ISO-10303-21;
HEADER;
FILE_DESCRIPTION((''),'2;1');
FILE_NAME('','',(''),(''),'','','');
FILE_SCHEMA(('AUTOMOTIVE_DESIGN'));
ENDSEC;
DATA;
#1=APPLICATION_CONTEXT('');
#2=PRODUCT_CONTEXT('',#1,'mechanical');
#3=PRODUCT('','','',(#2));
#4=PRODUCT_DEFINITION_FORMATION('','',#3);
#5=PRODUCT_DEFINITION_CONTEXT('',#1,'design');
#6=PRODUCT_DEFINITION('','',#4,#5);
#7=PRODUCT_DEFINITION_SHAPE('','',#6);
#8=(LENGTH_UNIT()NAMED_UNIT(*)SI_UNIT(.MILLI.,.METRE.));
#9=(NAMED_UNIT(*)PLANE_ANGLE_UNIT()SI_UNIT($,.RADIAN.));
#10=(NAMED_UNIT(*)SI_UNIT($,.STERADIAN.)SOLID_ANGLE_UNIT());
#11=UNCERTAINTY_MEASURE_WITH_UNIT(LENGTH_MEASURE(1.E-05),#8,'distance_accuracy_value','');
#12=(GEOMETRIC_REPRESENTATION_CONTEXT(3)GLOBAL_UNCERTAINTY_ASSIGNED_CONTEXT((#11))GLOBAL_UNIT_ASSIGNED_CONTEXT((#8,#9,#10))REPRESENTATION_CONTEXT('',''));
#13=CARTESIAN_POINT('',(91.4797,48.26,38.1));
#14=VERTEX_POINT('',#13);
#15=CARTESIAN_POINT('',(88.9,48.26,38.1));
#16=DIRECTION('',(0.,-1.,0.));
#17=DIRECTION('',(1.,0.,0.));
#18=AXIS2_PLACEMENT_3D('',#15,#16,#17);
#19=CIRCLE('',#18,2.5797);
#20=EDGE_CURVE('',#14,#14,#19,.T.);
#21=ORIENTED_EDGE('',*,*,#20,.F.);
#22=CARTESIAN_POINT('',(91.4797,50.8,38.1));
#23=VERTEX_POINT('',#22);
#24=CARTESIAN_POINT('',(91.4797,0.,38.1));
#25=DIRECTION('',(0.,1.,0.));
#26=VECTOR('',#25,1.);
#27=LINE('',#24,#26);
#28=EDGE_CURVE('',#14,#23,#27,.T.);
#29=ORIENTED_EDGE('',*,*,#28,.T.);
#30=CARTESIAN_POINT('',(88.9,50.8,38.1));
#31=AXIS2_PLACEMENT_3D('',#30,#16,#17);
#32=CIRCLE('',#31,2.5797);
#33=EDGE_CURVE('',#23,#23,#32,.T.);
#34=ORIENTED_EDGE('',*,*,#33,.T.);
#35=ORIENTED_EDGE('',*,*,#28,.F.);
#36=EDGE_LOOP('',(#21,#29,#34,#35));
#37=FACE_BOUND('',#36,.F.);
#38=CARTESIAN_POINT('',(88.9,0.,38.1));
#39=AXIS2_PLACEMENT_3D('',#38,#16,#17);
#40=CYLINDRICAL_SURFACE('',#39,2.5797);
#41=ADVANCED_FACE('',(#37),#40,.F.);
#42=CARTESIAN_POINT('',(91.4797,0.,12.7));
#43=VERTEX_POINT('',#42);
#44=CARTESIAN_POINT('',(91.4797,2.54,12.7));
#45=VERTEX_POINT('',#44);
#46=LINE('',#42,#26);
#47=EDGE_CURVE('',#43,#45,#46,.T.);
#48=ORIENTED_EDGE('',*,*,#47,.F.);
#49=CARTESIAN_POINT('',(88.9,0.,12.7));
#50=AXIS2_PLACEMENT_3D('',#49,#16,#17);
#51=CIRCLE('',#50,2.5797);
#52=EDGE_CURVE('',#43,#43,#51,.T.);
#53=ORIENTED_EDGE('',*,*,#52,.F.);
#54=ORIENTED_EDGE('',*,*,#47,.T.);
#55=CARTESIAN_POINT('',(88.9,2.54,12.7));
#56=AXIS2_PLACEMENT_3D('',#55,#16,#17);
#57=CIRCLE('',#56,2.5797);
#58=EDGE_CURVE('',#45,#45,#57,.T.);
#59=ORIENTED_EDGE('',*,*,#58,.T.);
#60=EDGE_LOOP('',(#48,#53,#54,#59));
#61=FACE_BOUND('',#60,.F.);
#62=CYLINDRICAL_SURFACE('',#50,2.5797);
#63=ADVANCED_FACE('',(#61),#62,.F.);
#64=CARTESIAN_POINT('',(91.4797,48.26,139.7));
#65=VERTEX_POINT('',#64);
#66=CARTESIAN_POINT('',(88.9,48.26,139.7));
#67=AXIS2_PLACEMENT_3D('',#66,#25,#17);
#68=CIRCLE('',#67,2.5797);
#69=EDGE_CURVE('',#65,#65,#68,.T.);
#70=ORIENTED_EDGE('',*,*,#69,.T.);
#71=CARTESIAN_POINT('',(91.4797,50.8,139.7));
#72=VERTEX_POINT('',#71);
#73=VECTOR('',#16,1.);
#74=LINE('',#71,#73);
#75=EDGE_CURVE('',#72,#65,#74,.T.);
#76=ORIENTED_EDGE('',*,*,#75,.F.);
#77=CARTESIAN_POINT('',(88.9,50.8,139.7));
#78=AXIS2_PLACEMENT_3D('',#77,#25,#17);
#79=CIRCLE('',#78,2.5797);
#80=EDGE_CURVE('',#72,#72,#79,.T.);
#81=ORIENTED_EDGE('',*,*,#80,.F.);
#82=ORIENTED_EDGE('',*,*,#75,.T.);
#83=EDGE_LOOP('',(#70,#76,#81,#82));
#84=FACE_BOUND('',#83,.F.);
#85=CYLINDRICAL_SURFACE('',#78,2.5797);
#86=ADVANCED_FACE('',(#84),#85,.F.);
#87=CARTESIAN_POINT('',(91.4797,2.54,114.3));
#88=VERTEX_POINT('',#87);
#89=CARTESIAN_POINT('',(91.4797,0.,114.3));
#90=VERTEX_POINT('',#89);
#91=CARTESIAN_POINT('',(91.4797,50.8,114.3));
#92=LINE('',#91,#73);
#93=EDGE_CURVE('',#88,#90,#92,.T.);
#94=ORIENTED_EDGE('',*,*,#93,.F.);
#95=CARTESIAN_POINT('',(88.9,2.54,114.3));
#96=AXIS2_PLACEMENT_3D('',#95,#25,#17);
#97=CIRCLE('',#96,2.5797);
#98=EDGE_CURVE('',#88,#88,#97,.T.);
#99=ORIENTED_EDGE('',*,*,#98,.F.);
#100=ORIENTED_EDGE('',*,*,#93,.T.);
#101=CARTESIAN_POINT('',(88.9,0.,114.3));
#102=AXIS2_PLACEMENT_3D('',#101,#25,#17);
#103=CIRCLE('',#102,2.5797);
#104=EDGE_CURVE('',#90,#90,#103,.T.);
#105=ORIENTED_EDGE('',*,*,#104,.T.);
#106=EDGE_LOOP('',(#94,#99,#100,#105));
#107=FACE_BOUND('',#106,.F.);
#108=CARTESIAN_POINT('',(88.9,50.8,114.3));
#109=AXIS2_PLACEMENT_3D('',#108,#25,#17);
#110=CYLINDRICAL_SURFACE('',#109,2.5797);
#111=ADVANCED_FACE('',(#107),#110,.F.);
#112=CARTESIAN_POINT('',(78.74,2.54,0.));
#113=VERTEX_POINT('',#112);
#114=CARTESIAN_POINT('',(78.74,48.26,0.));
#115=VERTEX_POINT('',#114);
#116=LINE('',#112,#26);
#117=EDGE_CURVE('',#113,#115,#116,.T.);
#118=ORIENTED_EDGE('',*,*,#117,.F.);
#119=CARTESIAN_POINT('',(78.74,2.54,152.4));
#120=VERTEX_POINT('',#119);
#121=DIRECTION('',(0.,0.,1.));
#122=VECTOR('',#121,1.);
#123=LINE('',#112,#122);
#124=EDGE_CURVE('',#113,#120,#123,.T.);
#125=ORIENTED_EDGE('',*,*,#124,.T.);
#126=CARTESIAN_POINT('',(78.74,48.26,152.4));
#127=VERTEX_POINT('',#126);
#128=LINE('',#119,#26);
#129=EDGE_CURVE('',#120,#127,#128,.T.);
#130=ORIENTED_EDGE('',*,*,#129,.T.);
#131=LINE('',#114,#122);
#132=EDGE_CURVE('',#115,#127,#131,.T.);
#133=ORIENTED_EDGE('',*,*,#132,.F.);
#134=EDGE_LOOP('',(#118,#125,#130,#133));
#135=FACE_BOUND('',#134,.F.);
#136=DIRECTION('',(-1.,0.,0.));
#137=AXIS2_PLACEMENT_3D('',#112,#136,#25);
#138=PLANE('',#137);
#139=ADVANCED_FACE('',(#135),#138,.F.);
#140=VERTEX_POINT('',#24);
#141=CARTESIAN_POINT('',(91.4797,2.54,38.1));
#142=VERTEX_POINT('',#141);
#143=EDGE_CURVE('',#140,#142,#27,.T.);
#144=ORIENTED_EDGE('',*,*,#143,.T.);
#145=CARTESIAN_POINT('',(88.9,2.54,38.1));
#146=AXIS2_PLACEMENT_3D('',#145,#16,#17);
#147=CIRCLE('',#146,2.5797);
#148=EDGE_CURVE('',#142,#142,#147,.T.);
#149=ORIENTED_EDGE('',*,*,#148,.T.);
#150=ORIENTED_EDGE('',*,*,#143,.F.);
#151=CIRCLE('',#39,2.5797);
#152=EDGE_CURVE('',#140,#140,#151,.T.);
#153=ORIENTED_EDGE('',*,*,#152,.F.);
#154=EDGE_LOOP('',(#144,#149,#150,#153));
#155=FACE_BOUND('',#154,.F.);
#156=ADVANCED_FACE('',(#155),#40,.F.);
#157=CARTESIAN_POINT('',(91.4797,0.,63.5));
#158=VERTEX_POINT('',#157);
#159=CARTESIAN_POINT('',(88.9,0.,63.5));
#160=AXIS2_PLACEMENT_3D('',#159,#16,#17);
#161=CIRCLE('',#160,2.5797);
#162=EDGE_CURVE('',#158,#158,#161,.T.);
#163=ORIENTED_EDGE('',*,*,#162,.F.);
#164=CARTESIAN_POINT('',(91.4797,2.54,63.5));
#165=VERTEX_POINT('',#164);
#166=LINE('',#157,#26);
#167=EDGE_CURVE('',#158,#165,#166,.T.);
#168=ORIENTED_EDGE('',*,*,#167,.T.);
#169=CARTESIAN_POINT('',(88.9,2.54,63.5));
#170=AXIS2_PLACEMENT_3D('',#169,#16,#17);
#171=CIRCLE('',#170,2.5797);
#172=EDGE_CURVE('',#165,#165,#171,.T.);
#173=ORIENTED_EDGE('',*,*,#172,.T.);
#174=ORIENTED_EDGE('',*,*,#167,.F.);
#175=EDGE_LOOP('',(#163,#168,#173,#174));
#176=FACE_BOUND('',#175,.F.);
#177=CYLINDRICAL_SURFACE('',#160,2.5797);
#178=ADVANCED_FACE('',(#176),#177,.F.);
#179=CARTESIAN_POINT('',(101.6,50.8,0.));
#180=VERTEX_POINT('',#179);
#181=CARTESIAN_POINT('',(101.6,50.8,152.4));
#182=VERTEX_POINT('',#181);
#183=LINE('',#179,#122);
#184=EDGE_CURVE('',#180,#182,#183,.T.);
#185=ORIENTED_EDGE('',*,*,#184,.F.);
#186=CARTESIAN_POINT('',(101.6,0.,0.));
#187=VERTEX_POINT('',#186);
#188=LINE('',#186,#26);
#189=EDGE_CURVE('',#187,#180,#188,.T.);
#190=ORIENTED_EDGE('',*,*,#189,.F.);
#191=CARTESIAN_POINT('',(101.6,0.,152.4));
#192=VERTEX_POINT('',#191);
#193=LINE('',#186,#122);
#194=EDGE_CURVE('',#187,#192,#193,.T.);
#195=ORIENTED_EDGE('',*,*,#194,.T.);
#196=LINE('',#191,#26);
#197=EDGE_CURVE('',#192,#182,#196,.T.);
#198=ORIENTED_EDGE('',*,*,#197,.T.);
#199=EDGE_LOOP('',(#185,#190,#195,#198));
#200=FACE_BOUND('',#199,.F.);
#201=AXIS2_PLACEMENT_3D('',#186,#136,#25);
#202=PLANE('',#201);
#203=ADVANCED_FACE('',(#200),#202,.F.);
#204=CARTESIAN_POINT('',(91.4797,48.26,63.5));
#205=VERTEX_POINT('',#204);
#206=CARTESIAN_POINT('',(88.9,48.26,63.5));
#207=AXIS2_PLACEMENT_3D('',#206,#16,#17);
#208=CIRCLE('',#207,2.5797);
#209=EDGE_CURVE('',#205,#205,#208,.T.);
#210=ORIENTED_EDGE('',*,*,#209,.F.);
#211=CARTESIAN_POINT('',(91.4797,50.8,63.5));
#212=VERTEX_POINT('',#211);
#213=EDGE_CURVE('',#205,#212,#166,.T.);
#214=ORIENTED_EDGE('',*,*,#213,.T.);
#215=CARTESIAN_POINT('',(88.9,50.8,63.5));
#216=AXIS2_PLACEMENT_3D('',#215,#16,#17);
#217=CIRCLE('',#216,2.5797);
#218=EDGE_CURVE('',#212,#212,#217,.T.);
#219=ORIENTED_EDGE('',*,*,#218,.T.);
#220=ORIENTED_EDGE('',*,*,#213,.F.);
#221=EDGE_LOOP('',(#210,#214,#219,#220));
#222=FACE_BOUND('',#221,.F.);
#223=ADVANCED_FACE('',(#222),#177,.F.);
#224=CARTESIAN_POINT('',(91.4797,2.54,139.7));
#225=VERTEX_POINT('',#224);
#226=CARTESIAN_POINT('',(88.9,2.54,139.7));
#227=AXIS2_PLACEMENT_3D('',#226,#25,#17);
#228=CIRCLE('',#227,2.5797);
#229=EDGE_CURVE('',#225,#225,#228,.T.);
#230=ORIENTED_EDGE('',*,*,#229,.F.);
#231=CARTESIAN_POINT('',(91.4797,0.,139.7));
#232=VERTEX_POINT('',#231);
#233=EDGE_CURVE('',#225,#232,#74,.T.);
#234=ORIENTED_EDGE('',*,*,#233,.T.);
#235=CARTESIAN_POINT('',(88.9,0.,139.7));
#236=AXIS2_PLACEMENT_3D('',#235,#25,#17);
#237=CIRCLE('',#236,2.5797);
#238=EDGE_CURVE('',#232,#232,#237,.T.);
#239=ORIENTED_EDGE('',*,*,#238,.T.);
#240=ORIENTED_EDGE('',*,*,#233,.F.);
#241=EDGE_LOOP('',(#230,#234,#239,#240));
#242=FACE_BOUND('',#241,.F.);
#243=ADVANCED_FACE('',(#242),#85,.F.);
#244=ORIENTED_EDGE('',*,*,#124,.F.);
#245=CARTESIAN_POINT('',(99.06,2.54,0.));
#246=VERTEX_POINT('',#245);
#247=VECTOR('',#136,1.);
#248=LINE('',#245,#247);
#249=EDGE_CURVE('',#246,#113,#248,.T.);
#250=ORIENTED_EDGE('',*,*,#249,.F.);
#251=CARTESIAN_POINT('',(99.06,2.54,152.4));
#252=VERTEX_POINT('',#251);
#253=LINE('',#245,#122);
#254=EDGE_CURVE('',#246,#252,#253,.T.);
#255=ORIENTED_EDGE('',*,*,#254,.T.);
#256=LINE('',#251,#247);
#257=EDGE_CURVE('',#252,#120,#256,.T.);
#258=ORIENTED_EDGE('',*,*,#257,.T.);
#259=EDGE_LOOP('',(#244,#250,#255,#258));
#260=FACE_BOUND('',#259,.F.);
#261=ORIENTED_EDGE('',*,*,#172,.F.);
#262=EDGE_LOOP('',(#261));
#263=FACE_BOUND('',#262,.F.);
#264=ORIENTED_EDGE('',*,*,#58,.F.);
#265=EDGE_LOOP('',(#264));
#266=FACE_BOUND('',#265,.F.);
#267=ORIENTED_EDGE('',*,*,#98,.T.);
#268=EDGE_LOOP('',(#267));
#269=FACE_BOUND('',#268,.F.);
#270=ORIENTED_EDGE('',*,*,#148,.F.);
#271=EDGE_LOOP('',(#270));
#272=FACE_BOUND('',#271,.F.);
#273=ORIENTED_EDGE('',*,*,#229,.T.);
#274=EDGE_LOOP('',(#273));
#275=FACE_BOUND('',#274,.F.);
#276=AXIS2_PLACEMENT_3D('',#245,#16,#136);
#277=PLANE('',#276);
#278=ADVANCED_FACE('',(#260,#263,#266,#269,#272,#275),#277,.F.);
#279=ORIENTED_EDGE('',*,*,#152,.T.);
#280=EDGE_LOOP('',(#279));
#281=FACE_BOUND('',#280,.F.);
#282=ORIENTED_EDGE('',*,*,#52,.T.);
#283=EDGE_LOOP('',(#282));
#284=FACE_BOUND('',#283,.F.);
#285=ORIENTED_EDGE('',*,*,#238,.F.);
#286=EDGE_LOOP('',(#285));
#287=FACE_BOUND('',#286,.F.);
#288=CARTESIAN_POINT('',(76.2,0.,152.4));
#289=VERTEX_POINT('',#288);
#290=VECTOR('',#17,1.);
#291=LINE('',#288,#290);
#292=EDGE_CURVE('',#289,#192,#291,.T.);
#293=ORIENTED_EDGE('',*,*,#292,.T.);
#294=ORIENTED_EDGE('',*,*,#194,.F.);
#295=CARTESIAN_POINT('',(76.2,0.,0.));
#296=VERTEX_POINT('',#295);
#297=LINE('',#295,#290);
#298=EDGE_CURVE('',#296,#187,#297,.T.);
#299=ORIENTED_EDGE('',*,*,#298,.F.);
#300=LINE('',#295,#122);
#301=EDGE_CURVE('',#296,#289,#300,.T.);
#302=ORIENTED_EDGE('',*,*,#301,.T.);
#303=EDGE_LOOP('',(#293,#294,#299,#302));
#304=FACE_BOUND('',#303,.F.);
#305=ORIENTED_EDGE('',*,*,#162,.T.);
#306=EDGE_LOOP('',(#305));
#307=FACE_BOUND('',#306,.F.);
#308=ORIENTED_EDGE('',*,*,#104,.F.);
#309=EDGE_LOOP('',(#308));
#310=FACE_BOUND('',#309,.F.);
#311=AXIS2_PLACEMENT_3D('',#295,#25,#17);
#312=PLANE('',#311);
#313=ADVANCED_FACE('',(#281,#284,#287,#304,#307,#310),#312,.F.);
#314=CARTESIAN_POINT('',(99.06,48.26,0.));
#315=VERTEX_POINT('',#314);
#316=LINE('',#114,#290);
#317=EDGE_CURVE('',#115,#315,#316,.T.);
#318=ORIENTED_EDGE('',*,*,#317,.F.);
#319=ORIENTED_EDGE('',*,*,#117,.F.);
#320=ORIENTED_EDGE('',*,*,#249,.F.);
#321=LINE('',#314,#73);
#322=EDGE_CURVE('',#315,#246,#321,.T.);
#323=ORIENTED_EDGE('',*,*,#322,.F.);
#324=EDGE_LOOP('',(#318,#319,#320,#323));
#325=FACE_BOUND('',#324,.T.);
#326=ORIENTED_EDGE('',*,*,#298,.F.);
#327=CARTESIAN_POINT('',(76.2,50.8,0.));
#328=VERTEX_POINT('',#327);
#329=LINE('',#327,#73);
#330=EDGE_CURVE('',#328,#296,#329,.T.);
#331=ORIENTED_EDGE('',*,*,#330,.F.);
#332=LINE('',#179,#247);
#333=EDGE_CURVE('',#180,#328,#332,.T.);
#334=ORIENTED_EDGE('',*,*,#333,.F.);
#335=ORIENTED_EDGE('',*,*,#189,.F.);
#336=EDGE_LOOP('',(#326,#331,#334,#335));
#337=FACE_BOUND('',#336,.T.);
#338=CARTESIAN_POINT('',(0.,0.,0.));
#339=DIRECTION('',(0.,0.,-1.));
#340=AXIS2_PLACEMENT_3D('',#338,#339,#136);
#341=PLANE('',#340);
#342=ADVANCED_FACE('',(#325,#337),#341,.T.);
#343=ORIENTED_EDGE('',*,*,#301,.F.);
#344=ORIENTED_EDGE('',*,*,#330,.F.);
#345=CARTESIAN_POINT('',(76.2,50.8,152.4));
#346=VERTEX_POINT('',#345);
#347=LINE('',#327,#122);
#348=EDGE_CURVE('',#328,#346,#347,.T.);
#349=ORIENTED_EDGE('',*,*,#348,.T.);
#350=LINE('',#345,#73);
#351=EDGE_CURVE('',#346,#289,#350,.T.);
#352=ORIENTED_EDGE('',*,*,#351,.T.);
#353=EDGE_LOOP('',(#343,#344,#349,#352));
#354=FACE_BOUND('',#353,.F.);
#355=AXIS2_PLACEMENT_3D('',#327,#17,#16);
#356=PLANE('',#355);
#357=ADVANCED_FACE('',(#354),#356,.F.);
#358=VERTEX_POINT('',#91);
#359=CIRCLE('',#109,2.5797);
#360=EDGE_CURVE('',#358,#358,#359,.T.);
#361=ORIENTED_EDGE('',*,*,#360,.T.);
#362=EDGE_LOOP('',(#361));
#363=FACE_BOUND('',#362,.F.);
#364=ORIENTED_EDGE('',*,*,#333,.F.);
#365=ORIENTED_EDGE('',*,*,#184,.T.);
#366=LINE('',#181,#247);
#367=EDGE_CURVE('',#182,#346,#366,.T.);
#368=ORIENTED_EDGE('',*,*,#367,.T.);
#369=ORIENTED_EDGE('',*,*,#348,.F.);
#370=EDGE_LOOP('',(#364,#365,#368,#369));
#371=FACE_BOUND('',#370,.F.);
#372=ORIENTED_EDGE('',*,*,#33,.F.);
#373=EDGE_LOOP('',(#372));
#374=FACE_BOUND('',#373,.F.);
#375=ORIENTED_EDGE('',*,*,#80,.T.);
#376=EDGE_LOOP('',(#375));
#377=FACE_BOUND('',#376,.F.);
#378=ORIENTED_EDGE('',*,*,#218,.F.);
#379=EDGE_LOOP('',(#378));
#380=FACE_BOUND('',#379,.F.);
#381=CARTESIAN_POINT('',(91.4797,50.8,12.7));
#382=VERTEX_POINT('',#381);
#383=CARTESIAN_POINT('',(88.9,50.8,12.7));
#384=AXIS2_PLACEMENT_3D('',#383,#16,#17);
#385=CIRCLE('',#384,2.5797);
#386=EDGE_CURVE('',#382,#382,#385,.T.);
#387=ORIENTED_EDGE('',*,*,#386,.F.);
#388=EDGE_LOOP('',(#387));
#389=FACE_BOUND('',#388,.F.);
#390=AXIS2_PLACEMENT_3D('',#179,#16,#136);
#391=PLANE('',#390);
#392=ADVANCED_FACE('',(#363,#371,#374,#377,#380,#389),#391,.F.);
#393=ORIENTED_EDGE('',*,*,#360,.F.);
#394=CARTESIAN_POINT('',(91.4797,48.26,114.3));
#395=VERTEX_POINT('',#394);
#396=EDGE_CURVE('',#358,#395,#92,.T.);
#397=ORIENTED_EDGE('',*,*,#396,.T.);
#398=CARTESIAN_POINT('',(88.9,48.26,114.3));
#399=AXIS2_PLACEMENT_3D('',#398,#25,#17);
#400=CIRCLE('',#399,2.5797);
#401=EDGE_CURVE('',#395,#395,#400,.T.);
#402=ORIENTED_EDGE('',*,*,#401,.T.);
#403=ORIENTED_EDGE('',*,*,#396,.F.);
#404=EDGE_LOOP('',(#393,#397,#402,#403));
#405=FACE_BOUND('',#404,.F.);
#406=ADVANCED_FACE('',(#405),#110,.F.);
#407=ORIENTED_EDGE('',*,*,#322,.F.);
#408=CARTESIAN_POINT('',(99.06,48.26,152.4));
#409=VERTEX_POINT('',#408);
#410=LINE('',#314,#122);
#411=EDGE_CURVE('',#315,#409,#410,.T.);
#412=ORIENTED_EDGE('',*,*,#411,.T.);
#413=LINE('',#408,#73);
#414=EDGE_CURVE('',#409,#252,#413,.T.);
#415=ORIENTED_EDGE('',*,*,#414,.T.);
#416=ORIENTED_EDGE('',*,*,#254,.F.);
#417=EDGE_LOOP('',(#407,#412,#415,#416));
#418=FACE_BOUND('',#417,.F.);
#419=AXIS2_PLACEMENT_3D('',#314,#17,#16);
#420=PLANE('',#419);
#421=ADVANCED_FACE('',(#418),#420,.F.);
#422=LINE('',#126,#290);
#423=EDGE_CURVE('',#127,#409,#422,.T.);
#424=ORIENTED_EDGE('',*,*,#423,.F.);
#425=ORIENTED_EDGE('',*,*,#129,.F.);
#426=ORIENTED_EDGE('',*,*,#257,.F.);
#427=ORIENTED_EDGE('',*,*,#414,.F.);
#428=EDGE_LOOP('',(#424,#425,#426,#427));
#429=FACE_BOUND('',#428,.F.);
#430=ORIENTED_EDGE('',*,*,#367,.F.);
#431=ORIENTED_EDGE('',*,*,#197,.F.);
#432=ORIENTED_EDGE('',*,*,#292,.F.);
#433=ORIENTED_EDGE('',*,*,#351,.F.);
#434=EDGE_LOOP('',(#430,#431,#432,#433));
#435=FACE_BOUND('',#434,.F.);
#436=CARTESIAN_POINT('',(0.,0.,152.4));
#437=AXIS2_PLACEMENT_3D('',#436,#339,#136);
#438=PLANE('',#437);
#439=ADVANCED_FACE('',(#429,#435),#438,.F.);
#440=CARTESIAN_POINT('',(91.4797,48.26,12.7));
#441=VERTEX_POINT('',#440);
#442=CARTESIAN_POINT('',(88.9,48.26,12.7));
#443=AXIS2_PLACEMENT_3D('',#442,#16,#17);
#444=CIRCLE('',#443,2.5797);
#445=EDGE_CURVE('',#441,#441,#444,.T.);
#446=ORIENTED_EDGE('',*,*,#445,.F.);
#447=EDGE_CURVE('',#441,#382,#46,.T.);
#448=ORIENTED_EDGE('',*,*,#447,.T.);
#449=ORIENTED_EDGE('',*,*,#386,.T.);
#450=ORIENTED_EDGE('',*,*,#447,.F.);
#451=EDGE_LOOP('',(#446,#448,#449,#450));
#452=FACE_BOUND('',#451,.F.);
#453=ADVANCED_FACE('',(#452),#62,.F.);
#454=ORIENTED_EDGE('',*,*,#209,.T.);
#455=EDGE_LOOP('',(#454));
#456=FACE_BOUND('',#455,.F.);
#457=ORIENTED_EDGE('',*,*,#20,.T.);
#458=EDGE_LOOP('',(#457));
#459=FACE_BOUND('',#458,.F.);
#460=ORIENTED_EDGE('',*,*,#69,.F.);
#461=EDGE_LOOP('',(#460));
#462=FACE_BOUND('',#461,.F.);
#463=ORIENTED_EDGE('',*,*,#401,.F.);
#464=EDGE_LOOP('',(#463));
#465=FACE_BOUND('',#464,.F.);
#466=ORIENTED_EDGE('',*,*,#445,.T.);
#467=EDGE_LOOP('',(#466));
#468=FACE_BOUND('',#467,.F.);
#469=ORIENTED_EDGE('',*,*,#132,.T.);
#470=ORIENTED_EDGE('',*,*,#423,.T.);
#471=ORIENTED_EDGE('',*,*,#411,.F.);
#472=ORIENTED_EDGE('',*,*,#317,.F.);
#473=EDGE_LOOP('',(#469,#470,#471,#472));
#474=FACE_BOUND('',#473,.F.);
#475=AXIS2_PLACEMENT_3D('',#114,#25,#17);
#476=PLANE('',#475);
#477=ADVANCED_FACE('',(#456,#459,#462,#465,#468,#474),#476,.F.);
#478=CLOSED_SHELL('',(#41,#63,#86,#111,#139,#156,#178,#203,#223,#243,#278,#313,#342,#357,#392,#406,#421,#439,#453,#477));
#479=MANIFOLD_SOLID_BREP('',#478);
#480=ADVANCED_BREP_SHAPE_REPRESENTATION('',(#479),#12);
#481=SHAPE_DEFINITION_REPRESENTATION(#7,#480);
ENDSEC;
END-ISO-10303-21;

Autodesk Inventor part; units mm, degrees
ref_plane "YZ Plane" through (0, 0, 0) normal (1, 0, 0) x (0, 1, 0)
ref_plane "XZ Plane" through (0, 0, 0) normal (0, 1, 0) x (-1, 0, 0)
ref_plane "XY Plane" through (0, 0, 0) normal (0, 0, 1) x (1, 0, 0)
ref_plane "Work Plane1" through (0, 0, 0) normal (0, 0, -1) x (-1, 0, 0)
sketch "Sketch16" plane through (0, 0, 0) normal (0, 0, -1) x (-1, 0, 0)
  line L0 (0, 0) -> (-76.2, 0) projected
  line L1 (-76.2, 0) -> (-101.6, 0)
  line L2 (-101.6, 0) -> (-101.6, 50.8)
  line L3 (-101.6, 50.8) -> (-76.2, 50.8)
  line L4 (-76.2, 50.8) -> (-76.2, 0)
  line L5 (-78.74, 48.26) -> (-99.06, 48.26)
  line L6 (-99.06, 48.26) -> (-99.06, 2.54)
  line L7 (-99.06, 2.54) -> (-78.74, 2.54)
  line L8 (-78.74, 2.54) -> (-78.74, 48.26)
  dimension "d54" = 25.4
  dimension "d55" = 50.8
  dimension "d56" = 2.54
  dimension "d57" = 2.54
  dimension "d58" = 2.54
  dimension "d59" = 2.54
extrude "Extrusion13" add sketch "Sketch16" against normal blind 152.4
ref_plane "Work Plane4" through (0, 0, 0) normal (0, 0, -1) x (-1, 0, 0)
ref_plane "Work Plane3" through (0, 0, 0) normal (0, -1, 0) x (1, 0, 0)
sketch "Sketch20" plane through (0, 0, 0) normal (0, -1, 0) x (1, 0, 0)
  circle A0 centre (88.9, 12.7) radius 2.5797
  circle A1 centre (63.5, 12.7) radius 2.5797
  circle A2 centre (38.1, 12.7) radius 2.5797
  line L0 (0, 25.4) -> (76.2, 25.4) projected
  circle A3 centre (88.9, 38.1) radius 2.5797
  circle A4 centre (88.9, 63.5) radius 2.5797
  line L1 (76.2, 25.4) -> (76.2, 152.4) projected
  line L2 (101.6, 0) -> (101.6, 152.4) projected
  point P0 (0, 0)
  dimension "d71" = 12.7
  dimension "d72" = 12.7
  dimension "d73" = 12.7
  dimension "d74" = 5.1594
  dimension "d75" = 5.1594
  dimension "d76" = 5.1594
  dimension "d77" = 12.7
  dimension "d78" = 12.7
  dimension "d79" = 5.1594
  dimension "d80" = 5.1594
  dimension "d81" = 12.7
  dimension "d82" = 25.4
  dimension "d83" = 25.4
  dimension "d84" = 25.4
  dimension "d85" = 25.4
extrude "Extrusion16" cut sketch "Sketch20" against normal blind 76.2
ref_plane "Work Plane2" through (0, 50.8, 25.4) normal (0, 1, 0) x (1, 0, 0)
sketch "Sketch24" plane through (0, 50.8, 25.4) normal (0, 1, 0) x (1, 0, 0)
  circle A0 centre (88.9, -114.3) radius 2.5797
  circle A1 centre (88.9, -88.9) radius 2.5797
  line L0 (101.6, -127) -> (76.2, -127) projected
  line L1 (76.2, 0) -> (76.2, -127) projected
  point P0 (0, 25.4)
  dimension "d112" = 12.7
  dimension "d113" = 25.4
  dimension "d114" = 5.1594
  dimension "d115" = 5.1594
  dimension "d116" = 12.7
  dimension "d117" = 12.7
extrude "Extrusion20" cut sketch "Sketch24" against normal blind 50.8
sketch "Sketch25" plane through (101.6, 0, 0) normal (1, 0, 0) x (0, 0, -1)
  point P0 (0, 0)
equation "\"d56\" = d48"
equation "\"d57\" = d48"
equation "\"d58\" = d48"
equation "\"d59\" = d48"
equation "\"d72\" = d71"
equation "\"d73\" = d71"
equation "\"d75\" = d74"
equation "\"d76\" = d74"
equation "\"d77\" = d71"
equation "\"d78\" = d71"
equation "\"d79\" = d74"
equation "\"d80\" = d74"
equation "\"d81\" = d71"
equation "\"d83\" = d82"
equation "\"d84\" = d82"
equation "\"d85\" = d82"
equation "\"d115\" = d114"
equation "\"d48\" = 2.54"
properties part number "right arm"
